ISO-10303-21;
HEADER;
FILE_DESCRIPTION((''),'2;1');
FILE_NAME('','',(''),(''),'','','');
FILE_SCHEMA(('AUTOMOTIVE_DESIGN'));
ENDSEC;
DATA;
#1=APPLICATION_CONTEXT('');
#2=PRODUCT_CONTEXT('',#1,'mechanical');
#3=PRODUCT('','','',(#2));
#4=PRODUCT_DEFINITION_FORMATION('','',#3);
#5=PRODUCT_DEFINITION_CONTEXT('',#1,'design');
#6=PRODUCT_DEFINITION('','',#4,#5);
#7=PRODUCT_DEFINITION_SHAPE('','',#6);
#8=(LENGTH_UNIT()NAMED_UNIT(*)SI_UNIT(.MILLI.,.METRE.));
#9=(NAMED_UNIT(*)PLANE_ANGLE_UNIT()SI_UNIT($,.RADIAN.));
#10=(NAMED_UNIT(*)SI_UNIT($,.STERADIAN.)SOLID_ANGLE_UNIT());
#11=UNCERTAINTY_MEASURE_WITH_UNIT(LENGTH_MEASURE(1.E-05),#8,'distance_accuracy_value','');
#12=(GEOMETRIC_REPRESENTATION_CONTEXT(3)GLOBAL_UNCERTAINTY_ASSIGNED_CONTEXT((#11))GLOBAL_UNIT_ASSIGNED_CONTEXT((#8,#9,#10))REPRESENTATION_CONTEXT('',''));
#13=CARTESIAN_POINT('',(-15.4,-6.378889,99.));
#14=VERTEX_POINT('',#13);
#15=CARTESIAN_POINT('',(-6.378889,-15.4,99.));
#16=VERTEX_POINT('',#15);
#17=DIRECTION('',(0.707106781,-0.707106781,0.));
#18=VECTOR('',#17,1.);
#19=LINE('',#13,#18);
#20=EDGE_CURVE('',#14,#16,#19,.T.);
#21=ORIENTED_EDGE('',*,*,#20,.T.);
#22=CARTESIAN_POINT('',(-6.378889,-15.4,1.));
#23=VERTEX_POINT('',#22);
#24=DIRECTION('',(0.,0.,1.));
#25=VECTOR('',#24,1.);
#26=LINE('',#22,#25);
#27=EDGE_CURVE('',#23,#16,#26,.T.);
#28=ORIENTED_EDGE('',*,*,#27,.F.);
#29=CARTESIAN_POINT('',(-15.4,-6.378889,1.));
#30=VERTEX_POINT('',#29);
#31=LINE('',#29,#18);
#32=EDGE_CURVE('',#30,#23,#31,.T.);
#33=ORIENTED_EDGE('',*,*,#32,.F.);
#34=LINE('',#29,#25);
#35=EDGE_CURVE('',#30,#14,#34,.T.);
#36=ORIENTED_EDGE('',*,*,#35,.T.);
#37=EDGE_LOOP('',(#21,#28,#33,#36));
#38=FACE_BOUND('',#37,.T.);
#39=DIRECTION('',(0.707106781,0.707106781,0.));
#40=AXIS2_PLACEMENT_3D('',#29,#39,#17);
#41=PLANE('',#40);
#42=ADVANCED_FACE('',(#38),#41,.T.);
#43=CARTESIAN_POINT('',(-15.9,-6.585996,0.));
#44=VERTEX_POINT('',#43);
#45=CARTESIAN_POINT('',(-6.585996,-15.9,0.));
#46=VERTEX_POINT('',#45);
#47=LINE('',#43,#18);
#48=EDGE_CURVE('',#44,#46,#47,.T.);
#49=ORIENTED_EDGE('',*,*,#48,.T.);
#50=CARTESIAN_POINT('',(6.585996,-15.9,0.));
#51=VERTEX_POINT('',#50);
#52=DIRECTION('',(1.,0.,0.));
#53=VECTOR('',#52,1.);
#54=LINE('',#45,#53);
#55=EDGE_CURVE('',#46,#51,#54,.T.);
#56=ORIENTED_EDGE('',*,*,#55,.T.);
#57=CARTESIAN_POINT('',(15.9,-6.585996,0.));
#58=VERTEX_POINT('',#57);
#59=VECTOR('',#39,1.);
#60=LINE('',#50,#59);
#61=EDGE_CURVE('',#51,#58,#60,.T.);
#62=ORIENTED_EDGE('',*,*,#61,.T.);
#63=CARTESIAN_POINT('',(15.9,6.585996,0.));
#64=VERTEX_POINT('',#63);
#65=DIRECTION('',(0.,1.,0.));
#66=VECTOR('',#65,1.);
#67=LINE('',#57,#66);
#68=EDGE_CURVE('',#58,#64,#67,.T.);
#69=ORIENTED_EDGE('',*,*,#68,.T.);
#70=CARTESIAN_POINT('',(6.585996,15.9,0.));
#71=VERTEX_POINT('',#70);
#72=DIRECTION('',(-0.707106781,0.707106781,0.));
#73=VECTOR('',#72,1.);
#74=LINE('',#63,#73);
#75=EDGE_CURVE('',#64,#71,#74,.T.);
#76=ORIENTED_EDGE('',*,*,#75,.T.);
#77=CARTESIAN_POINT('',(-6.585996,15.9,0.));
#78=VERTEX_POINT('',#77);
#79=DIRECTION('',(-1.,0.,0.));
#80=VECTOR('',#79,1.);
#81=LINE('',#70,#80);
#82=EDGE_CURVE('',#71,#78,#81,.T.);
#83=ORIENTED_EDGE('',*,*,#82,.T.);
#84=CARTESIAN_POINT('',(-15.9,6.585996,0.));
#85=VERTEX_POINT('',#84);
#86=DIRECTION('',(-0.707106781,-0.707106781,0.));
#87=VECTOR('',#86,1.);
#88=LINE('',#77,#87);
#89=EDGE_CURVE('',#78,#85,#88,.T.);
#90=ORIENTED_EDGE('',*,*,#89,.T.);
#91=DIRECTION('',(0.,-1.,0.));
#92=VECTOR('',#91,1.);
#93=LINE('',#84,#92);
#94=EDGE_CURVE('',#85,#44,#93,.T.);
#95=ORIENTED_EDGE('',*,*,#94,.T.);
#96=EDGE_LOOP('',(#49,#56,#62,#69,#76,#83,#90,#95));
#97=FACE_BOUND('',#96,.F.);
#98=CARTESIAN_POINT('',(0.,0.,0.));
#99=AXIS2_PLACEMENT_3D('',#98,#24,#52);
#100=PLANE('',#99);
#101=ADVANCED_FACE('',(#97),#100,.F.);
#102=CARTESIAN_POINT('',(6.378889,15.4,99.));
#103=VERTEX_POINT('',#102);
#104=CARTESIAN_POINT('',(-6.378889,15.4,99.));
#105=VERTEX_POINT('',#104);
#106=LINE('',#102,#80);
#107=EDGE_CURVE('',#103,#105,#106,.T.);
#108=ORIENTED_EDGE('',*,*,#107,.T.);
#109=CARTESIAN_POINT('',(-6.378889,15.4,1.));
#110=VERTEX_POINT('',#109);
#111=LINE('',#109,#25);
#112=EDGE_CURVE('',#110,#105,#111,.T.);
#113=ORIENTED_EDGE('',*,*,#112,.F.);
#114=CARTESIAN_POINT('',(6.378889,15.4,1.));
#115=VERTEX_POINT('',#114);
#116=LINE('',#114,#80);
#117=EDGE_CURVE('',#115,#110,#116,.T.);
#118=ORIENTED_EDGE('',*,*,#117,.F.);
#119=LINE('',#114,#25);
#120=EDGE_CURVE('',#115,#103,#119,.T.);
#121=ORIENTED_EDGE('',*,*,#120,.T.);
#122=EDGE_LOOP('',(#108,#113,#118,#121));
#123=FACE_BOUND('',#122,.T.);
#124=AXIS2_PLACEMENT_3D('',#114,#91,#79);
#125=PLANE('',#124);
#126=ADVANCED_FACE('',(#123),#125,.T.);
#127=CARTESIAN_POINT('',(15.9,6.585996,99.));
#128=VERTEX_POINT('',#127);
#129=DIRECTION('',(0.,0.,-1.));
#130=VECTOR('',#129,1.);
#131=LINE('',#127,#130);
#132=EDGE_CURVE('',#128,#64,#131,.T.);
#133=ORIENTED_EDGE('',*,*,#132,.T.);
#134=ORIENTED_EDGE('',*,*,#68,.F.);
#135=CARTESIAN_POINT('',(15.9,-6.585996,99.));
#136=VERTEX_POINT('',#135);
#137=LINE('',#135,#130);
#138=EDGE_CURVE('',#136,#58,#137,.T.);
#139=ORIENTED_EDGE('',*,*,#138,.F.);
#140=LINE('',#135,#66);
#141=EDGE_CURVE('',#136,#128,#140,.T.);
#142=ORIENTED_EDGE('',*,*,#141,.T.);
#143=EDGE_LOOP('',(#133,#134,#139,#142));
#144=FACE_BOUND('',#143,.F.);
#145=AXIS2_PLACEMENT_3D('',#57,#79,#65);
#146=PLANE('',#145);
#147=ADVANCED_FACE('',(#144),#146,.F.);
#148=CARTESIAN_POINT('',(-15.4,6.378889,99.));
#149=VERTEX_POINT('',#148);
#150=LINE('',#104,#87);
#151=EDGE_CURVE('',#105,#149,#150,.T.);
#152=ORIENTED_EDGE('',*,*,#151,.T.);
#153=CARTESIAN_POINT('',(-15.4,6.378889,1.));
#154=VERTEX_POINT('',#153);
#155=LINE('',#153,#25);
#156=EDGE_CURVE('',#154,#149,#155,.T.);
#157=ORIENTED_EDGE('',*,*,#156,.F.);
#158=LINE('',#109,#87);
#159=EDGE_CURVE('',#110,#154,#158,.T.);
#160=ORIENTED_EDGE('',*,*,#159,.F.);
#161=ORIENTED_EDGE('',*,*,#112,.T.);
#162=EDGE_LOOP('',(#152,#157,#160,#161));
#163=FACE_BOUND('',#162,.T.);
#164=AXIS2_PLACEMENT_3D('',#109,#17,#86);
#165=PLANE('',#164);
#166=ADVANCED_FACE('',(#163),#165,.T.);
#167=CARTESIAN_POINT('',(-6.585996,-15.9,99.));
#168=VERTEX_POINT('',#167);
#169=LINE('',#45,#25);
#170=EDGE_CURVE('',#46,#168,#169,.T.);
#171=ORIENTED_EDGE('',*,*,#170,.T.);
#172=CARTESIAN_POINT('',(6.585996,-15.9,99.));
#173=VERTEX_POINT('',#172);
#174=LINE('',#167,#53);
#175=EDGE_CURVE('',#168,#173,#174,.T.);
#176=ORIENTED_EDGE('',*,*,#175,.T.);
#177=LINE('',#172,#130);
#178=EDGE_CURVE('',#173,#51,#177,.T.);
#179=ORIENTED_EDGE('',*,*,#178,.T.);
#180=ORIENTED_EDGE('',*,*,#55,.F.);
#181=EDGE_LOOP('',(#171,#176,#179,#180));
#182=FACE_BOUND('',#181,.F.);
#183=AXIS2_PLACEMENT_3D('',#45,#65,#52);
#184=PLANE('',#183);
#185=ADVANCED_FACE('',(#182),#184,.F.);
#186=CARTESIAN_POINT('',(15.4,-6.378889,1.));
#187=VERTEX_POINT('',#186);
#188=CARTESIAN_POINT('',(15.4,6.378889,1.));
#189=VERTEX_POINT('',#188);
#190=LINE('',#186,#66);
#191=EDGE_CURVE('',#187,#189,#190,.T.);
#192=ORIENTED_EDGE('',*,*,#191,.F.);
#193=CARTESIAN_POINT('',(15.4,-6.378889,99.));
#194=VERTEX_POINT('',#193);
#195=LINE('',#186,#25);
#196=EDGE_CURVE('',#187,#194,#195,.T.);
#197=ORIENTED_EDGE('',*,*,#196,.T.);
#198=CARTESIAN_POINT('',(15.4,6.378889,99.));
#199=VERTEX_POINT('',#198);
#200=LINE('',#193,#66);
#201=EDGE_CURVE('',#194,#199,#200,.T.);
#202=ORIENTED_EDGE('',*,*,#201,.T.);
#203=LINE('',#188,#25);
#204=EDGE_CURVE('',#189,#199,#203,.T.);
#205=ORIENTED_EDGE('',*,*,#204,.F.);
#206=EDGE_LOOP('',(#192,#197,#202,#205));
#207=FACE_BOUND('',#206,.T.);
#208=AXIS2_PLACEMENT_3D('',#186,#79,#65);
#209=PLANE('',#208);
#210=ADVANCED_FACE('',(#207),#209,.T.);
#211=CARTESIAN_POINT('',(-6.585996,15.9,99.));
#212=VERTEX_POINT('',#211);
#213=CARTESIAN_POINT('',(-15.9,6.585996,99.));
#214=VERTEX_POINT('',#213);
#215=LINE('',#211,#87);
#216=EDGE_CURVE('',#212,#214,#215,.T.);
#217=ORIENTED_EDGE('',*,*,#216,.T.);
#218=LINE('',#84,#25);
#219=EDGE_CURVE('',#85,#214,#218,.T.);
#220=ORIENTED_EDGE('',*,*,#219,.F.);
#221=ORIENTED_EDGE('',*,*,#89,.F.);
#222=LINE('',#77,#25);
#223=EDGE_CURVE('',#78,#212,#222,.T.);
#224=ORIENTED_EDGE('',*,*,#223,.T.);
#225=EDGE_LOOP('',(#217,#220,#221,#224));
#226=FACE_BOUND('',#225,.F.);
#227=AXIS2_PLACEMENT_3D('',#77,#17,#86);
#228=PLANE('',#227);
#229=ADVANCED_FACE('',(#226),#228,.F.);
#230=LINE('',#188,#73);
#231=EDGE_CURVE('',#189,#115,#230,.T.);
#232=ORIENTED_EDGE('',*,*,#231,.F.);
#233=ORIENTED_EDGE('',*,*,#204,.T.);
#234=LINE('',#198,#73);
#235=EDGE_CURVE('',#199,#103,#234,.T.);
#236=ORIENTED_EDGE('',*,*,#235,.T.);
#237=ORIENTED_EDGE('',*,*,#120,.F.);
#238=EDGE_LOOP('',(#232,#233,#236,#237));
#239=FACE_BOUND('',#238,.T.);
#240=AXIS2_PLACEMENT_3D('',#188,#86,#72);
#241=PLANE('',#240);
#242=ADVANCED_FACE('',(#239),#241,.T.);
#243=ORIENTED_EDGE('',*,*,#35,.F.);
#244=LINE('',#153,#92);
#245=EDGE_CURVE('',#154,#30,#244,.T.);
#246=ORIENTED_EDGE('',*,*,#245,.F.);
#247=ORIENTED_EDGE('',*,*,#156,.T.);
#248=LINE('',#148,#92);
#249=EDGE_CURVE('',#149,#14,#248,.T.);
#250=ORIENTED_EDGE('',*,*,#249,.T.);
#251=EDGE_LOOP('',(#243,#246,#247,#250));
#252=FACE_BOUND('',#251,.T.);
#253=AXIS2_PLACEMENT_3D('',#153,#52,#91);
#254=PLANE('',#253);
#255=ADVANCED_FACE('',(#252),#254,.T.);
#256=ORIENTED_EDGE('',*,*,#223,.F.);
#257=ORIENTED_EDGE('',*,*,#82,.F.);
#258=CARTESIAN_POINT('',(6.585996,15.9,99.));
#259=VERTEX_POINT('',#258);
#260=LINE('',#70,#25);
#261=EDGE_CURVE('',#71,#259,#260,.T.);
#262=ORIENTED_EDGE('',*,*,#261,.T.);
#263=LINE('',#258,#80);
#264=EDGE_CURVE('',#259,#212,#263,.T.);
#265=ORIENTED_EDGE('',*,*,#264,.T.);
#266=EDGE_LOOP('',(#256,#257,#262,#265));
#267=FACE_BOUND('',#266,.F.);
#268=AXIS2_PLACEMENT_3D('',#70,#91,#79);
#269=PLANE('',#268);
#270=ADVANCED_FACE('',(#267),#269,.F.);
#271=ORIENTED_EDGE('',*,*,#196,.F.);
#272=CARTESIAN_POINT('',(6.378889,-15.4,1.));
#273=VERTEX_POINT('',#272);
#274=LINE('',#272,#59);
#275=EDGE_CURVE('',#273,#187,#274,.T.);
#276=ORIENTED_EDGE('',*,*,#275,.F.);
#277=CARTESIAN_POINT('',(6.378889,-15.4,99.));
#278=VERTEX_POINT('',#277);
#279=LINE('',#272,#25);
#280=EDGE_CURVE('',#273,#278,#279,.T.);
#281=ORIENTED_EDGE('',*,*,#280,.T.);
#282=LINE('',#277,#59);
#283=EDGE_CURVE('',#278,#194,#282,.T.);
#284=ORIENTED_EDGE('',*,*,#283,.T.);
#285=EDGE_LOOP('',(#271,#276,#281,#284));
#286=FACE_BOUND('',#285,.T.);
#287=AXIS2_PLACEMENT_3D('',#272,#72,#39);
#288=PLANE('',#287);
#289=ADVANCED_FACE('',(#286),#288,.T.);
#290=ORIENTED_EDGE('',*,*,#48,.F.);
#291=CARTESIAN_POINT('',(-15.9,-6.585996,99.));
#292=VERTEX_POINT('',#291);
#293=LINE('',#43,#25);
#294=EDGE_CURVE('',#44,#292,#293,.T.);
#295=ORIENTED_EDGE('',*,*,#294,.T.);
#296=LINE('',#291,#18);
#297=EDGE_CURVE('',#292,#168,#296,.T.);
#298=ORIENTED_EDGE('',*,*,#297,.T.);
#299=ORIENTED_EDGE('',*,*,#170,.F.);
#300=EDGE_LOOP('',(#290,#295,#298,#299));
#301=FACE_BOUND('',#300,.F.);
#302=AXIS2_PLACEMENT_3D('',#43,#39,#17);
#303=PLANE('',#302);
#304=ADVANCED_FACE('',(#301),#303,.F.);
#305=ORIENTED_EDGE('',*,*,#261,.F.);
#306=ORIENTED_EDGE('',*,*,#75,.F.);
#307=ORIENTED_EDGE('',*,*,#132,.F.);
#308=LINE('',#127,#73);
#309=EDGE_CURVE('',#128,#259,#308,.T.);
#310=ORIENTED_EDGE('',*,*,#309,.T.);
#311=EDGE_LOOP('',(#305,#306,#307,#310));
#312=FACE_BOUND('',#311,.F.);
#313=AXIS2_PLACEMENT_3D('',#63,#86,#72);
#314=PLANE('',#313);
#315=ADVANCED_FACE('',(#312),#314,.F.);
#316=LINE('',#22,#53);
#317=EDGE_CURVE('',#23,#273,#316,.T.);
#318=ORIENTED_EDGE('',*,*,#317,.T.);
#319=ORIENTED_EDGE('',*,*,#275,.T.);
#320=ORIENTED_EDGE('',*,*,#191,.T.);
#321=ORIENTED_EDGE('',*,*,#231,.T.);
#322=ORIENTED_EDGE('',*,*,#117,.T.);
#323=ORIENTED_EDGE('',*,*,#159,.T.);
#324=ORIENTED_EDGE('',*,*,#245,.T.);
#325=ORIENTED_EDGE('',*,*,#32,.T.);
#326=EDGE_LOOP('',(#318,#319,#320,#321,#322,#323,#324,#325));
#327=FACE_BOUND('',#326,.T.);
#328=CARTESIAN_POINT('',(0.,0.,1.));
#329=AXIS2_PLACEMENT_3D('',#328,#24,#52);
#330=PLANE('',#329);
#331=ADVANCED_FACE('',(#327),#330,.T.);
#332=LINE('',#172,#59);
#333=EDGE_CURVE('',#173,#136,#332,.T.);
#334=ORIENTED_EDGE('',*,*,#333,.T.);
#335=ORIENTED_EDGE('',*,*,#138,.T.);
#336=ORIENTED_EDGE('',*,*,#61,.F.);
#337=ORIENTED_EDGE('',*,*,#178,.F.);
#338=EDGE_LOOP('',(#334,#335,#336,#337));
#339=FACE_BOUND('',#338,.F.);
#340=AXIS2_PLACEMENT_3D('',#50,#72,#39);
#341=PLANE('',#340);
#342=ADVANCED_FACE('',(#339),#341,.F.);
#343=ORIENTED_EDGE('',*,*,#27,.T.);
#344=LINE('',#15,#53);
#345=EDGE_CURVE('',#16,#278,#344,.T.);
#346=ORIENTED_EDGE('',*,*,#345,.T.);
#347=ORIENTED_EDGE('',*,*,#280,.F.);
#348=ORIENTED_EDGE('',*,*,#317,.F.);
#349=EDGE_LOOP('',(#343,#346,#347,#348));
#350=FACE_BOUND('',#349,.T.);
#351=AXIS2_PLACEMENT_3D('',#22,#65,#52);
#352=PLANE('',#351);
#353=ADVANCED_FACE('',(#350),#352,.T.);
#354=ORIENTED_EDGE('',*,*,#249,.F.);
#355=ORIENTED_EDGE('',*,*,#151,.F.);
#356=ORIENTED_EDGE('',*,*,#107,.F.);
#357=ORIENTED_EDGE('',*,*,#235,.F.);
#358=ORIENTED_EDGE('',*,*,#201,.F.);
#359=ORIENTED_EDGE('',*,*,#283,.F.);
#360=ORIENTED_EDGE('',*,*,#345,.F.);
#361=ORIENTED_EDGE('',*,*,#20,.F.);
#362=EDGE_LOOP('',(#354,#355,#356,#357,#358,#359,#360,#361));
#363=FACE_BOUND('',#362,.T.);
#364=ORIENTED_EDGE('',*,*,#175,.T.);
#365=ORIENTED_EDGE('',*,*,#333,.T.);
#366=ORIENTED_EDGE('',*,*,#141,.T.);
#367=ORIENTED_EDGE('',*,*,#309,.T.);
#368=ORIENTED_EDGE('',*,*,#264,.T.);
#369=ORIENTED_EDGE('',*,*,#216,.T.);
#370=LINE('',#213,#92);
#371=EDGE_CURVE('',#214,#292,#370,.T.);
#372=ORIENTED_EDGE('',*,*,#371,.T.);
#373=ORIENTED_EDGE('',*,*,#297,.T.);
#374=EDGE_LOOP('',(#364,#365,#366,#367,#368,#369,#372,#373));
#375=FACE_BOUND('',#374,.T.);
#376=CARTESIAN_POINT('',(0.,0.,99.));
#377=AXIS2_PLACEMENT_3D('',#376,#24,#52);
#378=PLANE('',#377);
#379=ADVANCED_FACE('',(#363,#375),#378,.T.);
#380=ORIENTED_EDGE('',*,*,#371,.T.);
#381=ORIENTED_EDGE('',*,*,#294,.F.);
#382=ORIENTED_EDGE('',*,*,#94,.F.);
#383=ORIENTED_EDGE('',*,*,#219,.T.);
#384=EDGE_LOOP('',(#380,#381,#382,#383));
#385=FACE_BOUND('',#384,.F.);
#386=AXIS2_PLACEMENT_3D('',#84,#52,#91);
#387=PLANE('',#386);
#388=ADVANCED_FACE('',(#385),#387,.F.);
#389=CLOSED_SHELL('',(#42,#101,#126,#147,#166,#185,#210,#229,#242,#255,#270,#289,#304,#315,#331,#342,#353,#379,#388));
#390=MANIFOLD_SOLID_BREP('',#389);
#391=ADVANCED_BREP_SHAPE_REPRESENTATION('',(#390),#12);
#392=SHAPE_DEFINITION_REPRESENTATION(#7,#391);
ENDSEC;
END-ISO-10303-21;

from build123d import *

# Parameters (mm, degrees)
PAD006_DEPTH = 1
PAD005_DEPTH = 98


with BuildPart() as cooler_container_lid001:
    # Sketch007 → Pad006 (new body)
    with BuildSketch(Plane.XY):
        Polygon((15.9, 6.585996), (6.585996, 15.9), (-6.585996, 15.9), (-15.9, 6.585996), (-15.9, -6.585996), (-6.585996, -15.9), (6.585996, -15.9), (15.9, -6.585996), align=None)
    extrude(amount=PAD006_DEPTH)


with BuildPart() as cooler_walls_down:
    # Sketch006 → Pad005 (new body)
    with BuildSketch(Plane.XY):
        Polygon((15.9, 6.585996), (6.585996, 15.9), (-6.585996, 15.9), (-15.9, 6.585996), (-15.9, -6.585996), (-6.585996, -15.9), (6.585996, -15.9), (15.9, -6.585996), align=None)
        Polygon((15.4, 6.378889), (6.378889, 15.4), (-6.378889, 15.4), (-15.4, 6.378889), (-15.4, -6.378889), (-6.378889, -15.4), (6.378889, -15.4), (15.4, -6.378889), align=None, mode=Mode.SUBTRACT)
    extrude(amount=PAD005_DEPTH)


with BuildPart() as cooler_walls_down_1:
    # Body007 placement: moved
    add(cooler_walls_down.part.moved(Location((0, 0, 1))))

    # Fusion: union cooler_container_lid001
    add(cooler_container_lid001.part)


solid = cooler_walls_down_1.part
